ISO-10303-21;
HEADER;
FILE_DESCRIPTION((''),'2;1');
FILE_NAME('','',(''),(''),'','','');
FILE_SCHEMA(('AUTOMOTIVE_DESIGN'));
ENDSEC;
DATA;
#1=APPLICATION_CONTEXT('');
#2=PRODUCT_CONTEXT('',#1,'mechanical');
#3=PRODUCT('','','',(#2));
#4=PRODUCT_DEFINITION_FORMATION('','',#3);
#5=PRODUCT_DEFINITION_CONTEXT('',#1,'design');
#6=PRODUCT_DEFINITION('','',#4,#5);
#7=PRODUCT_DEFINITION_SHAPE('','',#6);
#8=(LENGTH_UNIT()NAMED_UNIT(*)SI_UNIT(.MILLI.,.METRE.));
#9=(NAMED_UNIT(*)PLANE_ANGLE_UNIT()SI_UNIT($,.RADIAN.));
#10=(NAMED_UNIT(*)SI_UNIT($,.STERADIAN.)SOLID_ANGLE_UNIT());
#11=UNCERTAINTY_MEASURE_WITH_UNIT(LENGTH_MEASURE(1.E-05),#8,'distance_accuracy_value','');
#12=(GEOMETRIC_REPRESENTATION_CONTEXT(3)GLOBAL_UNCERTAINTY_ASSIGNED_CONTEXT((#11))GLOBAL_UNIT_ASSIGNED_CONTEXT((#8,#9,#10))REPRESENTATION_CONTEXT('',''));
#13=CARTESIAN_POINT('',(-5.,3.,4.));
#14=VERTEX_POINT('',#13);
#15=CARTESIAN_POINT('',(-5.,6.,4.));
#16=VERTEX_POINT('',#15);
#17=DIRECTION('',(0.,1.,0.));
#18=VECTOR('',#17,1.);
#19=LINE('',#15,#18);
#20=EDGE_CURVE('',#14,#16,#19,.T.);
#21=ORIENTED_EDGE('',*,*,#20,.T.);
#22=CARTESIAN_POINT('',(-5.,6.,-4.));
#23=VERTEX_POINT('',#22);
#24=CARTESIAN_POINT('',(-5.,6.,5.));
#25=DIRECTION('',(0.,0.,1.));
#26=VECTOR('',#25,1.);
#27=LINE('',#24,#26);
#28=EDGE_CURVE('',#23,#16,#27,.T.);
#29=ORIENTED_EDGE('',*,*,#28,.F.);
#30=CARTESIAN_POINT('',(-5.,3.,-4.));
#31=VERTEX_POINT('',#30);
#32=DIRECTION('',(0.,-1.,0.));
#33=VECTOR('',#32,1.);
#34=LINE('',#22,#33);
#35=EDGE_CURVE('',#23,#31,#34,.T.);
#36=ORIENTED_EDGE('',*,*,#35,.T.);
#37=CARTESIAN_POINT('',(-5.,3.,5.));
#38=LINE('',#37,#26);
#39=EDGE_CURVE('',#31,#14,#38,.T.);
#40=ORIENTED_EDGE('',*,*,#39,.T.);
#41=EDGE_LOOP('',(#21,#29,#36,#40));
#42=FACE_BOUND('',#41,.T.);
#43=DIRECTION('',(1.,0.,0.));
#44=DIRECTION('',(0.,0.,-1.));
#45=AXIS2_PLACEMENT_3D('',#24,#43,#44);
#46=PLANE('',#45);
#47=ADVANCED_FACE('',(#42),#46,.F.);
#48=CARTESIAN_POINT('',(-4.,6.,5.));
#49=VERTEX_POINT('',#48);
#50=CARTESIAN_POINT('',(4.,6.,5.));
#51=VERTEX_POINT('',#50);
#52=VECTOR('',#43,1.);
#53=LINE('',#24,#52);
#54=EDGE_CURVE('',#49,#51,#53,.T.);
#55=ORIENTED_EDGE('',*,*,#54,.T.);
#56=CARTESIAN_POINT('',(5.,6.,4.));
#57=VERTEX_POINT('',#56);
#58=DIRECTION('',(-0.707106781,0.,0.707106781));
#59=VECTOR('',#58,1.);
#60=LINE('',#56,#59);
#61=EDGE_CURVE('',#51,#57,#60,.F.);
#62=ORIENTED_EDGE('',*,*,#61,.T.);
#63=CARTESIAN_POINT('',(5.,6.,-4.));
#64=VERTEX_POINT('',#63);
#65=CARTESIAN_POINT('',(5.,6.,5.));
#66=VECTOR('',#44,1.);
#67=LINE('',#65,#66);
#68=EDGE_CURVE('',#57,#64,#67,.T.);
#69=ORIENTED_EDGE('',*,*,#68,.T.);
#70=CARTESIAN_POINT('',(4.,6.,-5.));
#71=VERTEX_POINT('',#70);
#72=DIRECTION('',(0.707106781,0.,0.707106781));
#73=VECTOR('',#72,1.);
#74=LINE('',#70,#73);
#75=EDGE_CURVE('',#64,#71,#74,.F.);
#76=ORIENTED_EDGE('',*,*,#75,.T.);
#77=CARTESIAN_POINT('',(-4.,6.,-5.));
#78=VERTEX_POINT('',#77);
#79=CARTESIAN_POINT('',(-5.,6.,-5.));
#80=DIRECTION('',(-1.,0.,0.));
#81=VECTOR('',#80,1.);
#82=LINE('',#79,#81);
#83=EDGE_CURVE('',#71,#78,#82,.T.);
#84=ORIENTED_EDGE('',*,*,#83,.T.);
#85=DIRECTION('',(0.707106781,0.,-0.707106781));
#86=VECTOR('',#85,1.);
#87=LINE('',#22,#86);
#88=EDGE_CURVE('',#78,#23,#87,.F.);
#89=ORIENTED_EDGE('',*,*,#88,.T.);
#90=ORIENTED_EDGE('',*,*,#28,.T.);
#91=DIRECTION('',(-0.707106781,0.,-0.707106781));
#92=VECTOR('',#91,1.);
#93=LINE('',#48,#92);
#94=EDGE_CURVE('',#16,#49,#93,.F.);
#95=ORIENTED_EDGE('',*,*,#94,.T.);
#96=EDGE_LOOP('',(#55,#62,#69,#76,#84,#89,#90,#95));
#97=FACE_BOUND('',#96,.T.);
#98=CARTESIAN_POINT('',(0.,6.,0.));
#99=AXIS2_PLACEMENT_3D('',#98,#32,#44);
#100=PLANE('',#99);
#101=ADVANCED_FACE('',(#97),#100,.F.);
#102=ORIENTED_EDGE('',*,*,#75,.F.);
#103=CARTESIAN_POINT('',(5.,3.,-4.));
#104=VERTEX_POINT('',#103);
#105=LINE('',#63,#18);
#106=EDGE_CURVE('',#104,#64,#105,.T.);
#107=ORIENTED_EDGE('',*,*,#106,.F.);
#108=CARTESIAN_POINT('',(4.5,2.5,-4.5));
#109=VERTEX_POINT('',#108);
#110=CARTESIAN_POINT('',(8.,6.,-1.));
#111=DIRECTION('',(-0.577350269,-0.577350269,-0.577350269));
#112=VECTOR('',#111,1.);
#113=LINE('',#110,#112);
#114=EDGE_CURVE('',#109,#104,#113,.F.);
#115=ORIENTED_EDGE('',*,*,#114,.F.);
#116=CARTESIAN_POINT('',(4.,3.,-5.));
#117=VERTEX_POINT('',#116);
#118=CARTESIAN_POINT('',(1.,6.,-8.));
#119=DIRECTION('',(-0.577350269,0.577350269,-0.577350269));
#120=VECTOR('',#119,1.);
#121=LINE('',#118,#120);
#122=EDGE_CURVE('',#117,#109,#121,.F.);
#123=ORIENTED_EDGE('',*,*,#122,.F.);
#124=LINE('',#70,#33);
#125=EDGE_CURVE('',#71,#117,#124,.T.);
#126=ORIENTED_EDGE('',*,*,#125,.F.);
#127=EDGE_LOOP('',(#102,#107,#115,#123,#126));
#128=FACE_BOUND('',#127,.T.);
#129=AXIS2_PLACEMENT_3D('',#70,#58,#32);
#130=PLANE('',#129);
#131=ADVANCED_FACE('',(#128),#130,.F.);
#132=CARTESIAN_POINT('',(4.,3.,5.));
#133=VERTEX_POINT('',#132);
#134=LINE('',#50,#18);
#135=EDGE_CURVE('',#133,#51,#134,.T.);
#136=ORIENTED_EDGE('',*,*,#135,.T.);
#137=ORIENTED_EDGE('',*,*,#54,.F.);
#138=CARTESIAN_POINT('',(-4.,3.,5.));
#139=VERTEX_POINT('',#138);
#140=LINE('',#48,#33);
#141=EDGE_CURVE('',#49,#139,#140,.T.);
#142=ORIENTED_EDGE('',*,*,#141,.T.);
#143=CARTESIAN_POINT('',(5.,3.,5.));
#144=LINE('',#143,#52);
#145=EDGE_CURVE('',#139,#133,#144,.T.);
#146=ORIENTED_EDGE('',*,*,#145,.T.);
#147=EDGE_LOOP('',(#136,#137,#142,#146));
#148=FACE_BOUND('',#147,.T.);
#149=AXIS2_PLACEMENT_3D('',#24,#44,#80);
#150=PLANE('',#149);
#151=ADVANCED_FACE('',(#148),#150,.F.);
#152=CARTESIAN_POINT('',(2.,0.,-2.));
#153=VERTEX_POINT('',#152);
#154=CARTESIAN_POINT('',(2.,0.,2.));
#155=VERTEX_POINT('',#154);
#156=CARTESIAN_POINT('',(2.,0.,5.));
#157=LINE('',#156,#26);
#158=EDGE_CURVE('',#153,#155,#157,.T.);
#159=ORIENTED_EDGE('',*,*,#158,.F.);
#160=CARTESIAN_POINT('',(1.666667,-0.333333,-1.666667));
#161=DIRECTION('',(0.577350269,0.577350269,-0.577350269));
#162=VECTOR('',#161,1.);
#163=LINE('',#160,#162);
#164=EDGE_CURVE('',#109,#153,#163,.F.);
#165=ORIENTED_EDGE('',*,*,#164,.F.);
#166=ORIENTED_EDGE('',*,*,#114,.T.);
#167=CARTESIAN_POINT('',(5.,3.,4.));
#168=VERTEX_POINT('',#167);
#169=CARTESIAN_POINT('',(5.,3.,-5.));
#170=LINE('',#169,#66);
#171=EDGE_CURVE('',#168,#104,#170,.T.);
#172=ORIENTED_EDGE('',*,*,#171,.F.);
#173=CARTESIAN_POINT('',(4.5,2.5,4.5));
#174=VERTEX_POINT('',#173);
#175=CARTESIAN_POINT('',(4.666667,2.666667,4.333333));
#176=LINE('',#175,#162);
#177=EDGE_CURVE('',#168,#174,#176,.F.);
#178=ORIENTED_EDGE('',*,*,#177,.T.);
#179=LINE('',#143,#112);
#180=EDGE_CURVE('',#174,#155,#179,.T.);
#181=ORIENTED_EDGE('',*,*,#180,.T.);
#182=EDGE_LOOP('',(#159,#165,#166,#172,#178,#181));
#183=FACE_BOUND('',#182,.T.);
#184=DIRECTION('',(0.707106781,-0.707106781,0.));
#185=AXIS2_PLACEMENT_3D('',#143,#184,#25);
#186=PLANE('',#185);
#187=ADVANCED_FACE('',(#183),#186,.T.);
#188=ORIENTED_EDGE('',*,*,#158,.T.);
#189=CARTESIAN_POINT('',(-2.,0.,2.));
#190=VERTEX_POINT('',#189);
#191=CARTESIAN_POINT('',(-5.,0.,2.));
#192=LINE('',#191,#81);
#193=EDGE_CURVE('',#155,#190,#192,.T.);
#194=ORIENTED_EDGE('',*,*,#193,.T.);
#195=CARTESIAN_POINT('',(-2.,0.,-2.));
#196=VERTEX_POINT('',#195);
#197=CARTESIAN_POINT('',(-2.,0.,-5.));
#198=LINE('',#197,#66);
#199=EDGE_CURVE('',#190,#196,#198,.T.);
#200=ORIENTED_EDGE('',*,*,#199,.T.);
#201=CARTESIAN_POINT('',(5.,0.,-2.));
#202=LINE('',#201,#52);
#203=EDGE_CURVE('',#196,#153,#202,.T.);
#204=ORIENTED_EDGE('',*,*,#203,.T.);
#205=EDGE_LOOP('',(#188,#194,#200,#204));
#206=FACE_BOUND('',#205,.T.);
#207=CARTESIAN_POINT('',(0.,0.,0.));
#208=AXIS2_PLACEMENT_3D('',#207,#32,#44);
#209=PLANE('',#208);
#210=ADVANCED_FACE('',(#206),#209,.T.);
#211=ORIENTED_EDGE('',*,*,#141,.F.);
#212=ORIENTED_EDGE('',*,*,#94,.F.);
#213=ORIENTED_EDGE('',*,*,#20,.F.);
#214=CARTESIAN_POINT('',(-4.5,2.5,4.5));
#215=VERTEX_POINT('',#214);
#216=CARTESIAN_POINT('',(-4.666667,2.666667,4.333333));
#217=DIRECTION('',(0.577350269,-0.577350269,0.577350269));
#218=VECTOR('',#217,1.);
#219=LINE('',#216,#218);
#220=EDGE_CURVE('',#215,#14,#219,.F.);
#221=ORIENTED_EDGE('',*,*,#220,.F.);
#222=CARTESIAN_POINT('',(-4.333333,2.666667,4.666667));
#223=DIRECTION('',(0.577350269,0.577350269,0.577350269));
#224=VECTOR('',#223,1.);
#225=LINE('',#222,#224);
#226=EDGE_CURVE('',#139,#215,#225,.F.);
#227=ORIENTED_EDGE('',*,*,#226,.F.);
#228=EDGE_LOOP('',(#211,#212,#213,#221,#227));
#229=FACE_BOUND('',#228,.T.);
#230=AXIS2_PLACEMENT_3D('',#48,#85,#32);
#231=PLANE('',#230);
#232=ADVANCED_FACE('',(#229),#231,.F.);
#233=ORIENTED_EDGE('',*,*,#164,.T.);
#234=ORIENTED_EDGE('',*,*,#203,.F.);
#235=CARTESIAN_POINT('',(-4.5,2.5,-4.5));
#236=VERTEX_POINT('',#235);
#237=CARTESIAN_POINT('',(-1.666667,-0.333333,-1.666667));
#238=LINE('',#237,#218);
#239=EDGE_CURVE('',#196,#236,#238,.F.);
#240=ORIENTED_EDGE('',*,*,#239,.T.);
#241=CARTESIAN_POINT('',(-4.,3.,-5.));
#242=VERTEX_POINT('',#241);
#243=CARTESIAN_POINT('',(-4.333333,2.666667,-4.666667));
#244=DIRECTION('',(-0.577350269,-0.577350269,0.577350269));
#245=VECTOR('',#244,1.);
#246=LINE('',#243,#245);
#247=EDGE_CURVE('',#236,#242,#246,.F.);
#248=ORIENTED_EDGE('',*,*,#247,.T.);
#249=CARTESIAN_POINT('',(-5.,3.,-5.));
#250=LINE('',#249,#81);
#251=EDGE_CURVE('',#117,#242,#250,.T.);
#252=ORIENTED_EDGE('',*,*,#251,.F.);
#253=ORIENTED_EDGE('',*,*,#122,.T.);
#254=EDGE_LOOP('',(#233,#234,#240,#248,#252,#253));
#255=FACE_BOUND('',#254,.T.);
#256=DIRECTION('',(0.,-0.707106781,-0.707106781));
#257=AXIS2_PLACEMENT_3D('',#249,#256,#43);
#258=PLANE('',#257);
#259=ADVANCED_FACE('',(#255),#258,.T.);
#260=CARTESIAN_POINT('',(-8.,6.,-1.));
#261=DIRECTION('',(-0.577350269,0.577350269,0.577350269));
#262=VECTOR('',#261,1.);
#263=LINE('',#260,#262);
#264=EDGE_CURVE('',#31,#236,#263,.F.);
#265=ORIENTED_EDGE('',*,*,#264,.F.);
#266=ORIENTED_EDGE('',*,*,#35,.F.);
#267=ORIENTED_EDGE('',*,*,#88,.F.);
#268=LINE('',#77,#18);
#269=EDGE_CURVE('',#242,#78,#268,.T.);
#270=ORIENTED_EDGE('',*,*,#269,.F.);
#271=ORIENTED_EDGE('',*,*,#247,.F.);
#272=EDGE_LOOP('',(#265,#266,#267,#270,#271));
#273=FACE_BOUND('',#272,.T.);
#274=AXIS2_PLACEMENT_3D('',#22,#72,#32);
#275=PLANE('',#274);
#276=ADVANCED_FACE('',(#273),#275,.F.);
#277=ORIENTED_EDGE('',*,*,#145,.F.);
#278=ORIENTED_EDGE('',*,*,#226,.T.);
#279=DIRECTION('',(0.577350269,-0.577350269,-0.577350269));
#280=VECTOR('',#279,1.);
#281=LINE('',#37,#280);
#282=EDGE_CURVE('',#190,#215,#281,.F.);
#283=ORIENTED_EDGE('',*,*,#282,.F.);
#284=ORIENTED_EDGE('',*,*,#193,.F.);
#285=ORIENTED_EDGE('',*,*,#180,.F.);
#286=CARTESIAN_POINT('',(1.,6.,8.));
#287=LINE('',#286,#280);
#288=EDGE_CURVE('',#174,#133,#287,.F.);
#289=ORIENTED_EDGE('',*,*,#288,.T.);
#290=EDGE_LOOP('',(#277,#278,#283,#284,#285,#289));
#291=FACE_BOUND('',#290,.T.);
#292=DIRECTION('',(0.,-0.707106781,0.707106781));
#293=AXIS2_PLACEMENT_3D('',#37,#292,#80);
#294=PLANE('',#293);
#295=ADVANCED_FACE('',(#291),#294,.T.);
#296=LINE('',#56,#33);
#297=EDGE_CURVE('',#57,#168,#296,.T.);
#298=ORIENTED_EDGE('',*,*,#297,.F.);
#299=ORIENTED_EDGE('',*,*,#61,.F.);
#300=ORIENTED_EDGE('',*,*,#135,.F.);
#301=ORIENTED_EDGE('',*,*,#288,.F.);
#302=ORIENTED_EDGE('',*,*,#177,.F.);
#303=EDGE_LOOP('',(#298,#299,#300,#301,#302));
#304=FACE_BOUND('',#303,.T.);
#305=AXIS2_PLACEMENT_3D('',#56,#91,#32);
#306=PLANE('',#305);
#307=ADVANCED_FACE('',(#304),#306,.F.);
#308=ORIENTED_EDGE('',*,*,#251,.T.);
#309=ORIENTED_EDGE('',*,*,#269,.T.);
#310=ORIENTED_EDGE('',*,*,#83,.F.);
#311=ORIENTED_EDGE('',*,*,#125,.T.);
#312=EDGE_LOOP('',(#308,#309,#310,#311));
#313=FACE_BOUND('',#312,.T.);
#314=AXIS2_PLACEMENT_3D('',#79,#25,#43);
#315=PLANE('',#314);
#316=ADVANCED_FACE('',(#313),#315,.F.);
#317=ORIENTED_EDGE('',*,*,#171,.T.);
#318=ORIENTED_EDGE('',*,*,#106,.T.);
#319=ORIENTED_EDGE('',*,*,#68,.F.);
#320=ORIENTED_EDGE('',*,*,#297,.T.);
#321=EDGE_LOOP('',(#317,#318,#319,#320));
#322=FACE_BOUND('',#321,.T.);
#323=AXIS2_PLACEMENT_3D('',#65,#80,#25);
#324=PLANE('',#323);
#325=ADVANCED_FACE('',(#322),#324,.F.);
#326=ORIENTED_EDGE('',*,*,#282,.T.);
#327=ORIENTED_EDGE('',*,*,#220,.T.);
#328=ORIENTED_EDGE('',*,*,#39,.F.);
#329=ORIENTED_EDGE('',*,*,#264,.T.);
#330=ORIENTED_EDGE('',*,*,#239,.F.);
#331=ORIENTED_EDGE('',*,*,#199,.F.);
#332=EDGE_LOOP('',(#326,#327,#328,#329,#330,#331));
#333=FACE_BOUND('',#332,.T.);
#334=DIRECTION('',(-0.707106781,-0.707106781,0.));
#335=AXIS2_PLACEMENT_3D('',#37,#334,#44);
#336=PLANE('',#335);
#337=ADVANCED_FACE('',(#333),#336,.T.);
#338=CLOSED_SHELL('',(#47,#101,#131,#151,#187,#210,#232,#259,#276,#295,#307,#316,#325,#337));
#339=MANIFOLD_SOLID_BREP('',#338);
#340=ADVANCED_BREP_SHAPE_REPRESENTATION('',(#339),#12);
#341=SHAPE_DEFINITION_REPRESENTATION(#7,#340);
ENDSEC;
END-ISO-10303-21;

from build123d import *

# Parameters (mm, degrees)
ESQUISSE1_W        = 10
ESQUISSE1_H        = 10
BOSS_EXTRU_1_DEPTH = 6
CHANFREIN1_SIZE    = 3
CHANFREIN2_SIZE    = 1


with BuildPart() as part:
    # Esquisse1 → Boss.-Extru.1 (new body)
    with BuildSketch(Plane(origin=(0, 0, 0), x_dir=(1, 0, 0), z_dir=(0, 1, 0))):
        Rectangle(ESQUISSE1_W, ESQUISSE1_H)
    extrude(amount=BOSS_EXTRU_1_DEPTH)

    # Chanfrein1
    chanfrein1_edges = [part.edges().sort_by_distance(p)[0] for p in [
        (0, 0, 5),
        (-5, 0, 0),
        (0, 0, -5),
        (5, 0, 0),
    ]]
    chamfer(chanfrein1_edges, length=CHANFREIN1_SIZE)

    # Chanfrein2
    chanfrein2_edges = [part.edges().sort_by_distance(p)[0] for p in [
        (5, 4.5, 5),
        (-5, 4.5, 5),
        (-5, 4.5, -5),
        (5, 4.5, -5),
    ]]
    chamfer(chanfrein2_edges, length=CHANFREIN2_SIZE)


solid = part.part
